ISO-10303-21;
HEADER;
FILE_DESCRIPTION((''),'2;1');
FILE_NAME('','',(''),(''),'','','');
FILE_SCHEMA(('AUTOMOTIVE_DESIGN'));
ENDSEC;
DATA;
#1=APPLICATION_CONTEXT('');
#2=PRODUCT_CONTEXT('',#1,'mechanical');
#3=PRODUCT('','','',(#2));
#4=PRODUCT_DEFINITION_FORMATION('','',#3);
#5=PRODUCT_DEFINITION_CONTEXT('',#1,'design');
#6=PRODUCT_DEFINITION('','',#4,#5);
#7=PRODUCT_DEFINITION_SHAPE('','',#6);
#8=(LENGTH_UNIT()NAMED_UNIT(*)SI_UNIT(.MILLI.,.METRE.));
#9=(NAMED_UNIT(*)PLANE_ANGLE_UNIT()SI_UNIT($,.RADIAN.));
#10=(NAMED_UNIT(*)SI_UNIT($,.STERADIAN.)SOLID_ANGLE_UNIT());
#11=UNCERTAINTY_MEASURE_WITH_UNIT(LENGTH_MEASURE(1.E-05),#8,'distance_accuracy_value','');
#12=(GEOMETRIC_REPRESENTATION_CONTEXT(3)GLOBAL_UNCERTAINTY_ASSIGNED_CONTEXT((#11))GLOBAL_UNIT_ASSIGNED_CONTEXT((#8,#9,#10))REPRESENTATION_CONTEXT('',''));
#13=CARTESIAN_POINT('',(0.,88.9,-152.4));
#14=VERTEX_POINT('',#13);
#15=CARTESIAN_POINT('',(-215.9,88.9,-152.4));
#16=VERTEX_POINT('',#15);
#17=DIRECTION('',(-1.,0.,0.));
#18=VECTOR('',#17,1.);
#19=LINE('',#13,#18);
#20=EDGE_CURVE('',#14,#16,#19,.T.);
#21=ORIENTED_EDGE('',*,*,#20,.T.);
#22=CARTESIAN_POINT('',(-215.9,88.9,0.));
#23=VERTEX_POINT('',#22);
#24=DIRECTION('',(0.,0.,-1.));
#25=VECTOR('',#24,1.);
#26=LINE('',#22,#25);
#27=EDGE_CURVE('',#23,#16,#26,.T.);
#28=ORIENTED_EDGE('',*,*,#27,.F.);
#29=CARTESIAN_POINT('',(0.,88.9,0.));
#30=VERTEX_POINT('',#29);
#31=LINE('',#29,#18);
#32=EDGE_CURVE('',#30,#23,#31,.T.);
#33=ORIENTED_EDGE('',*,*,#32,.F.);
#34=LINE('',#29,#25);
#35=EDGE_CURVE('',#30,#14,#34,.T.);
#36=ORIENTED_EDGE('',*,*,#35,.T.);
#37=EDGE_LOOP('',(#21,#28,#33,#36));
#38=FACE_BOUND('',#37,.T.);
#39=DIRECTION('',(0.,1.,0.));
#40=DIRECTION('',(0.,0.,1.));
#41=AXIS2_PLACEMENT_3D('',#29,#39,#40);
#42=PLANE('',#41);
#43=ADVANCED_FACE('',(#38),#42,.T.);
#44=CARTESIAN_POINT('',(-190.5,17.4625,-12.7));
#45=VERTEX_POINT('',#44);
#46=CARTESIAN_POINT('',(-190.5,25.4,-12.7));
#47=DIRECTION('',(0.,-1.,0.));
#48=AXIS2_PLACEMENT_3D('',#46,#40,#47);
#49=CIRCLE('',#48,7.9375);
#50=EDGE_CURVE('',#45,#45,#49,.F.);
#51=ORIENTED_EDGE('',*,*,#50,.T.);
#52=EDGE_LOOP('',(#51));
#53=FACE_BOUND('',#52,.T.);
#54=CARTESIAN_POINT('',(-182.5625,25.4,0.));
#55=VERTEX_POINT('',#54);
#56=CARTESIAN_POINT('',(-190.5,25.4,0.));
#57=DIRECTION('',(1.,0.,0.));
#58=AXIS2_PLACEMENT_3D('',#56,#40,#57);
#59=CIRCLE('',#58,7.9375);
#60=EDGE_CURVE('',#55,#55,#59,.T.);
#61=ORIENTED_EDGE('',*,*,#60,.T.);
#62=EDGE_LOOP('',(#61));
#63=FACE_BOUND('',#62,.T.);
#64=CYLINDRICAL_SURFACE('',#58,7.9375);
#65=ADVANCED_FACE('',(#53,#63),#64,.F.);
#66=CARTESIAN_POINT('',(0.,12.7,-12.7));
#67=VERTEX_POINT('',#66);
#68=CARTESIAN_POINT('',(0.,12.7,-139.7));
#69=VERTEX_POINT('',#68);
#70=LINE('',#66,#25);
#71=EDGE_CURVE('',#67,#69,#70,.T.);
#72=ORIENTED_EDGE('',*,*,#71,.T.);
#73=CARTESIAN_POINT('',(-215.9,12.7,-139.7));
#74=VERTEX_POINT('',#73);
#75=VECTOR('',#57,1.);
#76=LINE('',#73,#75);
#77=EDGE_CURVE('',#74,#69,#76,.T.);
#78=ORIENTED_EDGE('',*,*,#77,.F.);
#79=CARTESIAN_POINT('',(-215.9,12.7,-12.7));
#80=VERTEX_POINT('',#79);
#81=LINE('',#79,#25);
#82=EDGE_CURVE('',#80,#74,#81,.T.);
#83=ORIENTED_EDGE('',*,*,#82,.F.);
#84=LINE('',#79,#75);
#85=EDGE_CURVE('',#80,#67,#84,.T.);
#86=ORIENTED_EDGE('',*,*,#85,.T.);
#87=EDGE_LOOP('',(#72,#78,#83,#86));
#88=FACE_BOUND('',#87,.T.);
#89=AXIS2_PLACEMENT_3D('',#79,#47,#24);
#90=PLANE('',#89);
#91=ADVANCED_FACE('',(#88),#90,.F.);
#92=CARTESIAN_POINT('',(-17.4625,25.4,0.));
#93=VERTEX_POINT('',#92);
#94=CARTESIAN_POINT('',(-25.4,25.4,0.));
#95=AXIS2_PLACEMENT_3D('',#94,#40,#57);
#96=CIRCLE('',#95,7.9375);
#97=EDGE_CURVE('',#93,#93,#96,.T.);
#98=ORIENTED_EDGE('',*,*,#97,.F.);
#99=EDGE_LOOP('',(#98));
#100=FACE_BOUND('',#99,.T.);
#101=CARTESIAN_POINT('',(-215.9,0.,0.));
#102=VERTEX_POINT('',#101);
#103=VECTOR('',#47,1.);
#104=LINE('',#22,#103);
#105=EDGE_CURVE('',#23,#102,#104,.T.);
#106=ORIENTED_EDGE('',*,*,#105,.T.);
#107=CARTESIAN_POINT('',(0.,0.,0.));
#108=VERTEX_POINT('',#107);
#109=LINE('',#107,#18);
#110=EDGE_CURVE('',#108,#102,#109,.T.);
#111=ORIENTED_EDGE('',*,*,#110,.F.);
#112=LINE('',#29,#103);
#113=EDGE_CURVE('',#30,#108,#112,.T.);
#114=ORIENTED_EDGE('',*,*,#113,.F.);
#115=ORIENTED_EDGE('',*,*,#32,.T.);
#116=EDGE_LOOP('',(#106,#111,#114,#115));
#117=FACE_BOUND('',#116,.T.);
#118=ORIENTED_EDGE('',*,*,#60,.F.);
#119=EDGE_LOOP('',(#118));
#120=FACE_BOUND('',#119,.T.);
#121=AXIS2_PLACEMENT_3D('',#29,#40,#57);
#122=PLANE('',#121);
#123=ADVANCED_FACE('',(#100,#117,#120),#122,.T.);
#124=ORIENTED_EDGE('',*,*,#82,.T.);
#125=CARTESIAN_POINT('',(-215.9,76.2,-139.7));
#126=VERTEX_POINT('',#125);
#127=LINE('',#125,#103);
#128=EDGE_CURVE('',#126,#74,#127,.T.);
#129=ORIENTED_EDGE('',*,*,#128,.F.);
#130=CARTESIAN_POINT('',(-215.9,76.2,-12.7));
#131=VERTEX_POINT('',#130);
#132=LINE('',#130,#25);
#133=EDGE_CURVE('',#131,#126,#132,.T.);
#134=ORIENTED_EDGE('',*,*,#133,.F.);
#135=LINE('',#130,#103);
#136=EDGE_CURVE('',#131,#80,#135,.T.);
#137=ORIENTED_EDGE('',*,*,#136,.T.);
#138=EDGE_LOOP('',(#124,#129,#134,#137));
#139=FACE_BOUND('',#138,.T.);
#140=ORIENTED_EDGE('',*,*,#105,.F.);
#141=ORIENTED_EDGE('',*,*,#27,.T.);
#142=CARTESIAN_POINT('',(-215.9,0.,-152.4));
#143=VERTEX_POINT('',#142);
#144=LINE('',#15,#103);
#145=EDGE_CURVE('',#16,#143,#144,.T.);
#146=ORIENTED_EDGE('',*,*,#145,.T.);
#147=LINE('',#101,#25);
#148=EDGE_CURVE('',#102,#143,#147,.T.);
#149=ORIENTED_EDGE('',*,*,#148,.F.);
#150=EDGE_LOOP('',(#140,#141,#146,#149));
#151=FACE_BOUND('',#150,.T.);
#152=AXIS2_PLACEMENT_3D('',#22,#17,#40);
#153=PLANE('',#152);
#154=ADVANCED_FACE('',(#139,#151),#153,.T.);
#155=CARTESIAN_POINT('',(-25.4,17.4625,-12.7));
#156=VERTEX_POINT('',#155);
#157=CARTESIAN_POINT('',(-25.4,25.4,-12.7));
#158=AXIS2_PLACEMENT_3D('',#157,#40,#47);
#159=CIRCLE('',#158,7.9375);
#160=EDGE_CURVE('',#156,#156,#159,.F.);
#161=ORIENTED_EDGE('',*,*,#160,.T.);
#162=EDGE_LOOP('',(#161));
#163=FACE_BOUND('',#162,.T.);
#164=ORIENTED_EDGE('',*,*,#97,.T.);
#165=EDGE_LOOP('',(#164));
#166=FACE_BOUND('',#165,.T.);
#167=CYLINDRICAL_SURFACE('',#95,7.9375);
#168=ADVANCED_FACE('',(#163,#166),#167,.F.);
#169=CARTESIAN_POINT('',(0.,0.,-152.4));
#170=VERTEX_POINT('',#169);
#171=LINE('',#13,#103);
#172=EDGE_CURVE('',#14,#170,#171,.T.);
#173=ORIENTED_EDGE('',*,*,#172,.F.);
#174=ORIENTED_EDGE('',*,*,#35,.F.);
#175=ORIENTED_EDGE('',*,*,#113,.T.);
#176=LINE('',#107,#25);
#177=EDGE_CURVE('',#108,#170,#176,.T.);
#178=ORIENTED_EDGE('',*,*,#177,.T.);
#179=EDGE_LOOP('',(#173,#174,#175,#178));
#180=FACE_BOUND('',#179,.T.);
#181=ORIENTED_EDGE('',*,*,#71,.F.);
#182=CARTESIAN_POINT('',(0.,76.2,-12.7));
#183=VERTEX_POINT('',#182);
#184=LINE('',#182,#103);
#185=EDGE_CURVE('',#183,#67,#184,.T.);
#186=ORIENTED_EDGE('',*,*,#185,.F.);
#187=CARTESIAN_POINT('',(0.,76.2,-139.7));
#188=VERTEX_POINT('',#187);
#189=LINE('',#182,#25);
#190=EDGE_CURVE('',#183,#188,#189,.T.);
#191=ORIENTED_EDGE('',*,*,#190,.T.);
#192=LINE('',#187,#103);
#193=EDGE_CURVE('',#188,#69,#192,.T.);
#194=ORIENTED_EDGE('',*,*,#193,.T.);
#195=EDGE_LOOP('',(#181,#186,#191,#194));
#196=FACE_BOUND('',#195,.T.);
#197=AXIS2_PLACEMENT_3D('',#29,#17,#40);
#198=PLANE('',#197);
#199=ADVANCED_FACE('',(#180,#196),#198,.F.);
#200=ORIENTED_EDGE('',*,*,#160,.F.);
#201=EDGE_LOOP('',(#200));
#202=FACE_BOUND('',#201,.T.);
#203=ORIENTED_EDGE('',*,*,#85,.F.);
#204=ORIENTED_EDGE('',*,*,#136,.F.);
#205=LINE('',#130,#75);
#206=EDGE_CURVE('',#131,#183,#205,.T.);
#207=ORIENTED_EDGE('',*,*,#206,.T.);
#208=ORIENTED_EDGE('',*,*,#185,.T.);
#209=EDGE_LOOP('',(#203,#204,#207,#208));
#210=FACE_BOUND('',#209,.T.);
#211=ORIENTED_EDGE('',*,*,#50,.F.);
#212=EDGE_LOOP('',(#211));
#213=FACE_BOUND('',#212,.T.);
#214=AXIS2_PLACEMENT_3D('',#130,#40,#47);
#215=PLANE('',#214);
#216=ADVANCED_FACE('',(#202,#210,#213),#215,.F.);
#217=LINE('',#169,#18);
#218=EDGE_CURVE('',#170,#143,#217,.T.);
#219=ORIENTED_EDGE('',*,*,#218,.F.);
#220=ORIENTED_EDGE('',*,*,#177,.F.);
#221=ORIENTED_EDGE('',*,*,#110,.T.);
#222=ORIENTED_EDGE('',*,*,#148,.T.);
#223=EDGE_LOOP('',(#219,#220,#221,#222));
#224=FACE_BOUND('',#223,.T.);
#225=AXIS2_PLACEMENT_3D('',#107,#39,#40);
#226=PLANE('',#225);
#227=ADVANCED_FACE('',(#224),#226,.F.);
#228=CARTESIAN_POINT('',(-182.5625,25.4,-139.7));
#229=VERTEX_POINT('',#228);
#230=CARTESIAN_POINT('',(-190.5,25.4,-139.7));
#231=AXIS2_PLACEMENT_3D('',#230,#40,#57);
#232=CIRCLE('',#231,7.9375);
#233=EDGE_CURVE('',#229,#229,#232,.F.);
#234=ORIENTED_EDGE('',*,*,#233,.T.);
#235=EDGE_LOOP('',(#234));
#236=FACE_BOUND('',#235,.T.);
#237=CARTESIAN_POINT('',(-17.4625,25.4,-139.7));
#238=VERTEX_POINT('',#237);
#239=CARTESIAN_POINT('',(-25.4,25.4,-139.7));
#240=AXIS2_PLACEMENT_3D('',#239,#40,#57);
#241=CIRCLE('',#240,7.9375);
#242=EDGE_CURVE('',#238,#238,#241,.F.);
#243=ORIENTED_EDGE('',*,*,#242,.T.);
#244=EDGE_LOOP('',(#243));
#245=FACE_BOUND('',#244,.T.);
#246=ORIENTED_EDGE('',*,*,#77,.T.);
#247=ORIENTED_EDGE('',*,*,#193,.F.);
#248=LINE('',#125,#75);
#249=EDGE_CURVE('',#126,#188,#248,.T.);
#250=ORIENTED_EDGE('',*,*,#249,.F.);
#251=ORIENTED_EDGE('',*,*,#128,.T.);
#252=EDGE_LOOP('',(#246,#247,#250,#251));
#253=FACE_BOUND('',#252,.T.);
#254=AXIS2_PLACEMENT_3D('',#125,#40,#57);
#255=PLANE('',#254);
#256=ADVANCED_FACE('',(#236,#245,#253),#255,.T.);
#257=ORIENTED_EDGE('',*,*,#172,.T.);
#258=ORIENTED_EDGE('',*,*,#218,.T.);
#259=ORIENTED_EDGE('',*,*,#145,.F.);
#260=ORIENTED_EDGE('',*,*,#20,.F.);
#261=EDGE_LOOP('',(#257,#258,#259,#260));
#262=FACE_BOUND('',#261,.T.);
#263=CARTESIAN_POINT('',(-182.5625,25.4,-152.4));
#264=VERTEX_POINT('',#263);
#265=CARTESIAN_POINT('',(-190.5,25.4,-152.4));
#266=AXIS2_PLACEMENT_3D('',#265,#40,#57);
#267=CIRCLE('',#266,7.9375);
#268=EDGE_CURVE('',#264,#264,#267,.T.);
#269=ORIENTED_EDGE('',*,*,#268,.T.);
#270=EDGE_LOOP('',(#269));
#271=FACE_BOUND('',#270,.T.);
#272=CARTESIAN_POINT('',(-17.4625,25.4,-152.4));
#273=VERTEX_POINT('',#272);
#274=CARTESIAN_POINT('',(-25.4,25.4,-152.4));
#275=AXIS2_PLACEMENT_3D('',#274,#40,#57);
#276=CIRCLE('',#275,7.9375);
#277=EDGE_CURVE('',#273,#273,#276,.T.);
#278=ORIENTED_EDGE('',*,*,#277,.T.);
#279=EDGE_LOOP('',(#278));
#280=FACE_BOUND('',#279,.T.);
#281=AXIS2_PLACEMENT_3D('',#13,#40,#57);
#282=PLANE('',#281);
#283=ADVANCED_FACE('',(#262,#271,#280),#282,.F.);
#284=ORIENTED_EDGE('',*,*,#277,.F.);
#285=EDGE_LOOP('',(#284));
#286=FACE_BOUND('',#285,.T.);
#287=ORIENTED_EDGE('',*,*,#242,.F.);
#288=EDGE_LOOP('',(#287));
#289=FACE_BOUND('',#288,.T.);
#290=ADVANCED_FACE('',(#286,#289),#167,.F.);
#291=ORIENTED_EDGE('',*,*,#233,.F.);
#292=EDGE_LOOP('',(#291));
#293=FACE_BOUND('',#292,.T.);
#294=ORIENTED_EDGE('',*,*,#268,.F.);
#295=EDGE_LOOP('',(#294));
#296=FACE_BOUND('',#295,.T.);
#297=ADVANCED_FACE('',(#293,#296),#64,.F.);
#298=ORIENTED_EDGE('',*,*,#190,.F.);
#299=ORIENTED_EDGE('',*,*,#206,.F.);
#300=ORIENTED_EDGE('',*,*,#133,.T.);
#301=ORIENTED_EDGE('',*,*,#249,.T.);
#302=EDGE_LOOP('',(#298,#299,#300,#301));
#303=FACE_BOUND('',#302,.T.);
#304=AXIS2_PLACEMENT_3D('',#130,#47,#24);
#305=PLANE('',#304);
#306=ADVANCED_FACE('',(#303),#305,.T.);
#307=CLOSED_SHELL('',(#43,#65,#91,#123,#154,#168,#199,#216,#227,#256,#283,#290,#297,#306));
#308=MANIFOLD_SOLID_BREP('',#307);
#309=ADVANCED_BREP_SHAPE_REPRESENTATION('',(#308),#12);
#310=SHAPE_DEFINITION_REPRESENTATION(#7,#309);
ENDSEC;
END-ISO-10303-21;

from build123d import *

# Parameters (mm, degrees)
SKETCH1_W                    = 215.9
SKETCH1_H                    = 152.4
BOSS_EXTRUDE1_DEPTH          = 88.9
F_5_8_0_625_DIAMETER_HOLE1_D = 15.875
SKETCH9_W                    = 127
SKETCH9_H                    = 63.5
CUT_EXTRUDE1_DEPTH           = 279.822129681


with BuildPart() as part:
    # Sketch1 → Boss-Extrude1 (new body)
    with BuildSketch(Plane(origin=(0, 0, 0), x_dir=(1, 0, 0), z_dir=(0, 1, 0))):
        with Locations((-107.95, 76.2)):
            Rectangle(SKETCH1_W, SKETCH1_H)
    extrude(amount=BOSS_EXTRUDE1_DEPTH)

    # 5/8 (0.625) Diameter Hole1 (through all)
    with Locations(Plane.XY):
        with Locations((-190.5, 25.4), (-25.4, 25.4)):
            Hole(F_5_8_0_625_DIAMETER_HOLE1_D / 2)

    # Sketch9 → Cut-Extrude1 (cut, through all)
    with BuildSketch(Plane(origin=(0, 0, 0), x_dir=(0, 0, -1), z_dir=(1, 0, 0))):
        with Locations((76.2, 44.45)):
            Rectangle(SKETCH9_W, SKETCH9_H)
    extrude(amount=-CUT_EXTRUDE1_DEPTH, mode=Mode.SUBTRACT)


solid = part.part
